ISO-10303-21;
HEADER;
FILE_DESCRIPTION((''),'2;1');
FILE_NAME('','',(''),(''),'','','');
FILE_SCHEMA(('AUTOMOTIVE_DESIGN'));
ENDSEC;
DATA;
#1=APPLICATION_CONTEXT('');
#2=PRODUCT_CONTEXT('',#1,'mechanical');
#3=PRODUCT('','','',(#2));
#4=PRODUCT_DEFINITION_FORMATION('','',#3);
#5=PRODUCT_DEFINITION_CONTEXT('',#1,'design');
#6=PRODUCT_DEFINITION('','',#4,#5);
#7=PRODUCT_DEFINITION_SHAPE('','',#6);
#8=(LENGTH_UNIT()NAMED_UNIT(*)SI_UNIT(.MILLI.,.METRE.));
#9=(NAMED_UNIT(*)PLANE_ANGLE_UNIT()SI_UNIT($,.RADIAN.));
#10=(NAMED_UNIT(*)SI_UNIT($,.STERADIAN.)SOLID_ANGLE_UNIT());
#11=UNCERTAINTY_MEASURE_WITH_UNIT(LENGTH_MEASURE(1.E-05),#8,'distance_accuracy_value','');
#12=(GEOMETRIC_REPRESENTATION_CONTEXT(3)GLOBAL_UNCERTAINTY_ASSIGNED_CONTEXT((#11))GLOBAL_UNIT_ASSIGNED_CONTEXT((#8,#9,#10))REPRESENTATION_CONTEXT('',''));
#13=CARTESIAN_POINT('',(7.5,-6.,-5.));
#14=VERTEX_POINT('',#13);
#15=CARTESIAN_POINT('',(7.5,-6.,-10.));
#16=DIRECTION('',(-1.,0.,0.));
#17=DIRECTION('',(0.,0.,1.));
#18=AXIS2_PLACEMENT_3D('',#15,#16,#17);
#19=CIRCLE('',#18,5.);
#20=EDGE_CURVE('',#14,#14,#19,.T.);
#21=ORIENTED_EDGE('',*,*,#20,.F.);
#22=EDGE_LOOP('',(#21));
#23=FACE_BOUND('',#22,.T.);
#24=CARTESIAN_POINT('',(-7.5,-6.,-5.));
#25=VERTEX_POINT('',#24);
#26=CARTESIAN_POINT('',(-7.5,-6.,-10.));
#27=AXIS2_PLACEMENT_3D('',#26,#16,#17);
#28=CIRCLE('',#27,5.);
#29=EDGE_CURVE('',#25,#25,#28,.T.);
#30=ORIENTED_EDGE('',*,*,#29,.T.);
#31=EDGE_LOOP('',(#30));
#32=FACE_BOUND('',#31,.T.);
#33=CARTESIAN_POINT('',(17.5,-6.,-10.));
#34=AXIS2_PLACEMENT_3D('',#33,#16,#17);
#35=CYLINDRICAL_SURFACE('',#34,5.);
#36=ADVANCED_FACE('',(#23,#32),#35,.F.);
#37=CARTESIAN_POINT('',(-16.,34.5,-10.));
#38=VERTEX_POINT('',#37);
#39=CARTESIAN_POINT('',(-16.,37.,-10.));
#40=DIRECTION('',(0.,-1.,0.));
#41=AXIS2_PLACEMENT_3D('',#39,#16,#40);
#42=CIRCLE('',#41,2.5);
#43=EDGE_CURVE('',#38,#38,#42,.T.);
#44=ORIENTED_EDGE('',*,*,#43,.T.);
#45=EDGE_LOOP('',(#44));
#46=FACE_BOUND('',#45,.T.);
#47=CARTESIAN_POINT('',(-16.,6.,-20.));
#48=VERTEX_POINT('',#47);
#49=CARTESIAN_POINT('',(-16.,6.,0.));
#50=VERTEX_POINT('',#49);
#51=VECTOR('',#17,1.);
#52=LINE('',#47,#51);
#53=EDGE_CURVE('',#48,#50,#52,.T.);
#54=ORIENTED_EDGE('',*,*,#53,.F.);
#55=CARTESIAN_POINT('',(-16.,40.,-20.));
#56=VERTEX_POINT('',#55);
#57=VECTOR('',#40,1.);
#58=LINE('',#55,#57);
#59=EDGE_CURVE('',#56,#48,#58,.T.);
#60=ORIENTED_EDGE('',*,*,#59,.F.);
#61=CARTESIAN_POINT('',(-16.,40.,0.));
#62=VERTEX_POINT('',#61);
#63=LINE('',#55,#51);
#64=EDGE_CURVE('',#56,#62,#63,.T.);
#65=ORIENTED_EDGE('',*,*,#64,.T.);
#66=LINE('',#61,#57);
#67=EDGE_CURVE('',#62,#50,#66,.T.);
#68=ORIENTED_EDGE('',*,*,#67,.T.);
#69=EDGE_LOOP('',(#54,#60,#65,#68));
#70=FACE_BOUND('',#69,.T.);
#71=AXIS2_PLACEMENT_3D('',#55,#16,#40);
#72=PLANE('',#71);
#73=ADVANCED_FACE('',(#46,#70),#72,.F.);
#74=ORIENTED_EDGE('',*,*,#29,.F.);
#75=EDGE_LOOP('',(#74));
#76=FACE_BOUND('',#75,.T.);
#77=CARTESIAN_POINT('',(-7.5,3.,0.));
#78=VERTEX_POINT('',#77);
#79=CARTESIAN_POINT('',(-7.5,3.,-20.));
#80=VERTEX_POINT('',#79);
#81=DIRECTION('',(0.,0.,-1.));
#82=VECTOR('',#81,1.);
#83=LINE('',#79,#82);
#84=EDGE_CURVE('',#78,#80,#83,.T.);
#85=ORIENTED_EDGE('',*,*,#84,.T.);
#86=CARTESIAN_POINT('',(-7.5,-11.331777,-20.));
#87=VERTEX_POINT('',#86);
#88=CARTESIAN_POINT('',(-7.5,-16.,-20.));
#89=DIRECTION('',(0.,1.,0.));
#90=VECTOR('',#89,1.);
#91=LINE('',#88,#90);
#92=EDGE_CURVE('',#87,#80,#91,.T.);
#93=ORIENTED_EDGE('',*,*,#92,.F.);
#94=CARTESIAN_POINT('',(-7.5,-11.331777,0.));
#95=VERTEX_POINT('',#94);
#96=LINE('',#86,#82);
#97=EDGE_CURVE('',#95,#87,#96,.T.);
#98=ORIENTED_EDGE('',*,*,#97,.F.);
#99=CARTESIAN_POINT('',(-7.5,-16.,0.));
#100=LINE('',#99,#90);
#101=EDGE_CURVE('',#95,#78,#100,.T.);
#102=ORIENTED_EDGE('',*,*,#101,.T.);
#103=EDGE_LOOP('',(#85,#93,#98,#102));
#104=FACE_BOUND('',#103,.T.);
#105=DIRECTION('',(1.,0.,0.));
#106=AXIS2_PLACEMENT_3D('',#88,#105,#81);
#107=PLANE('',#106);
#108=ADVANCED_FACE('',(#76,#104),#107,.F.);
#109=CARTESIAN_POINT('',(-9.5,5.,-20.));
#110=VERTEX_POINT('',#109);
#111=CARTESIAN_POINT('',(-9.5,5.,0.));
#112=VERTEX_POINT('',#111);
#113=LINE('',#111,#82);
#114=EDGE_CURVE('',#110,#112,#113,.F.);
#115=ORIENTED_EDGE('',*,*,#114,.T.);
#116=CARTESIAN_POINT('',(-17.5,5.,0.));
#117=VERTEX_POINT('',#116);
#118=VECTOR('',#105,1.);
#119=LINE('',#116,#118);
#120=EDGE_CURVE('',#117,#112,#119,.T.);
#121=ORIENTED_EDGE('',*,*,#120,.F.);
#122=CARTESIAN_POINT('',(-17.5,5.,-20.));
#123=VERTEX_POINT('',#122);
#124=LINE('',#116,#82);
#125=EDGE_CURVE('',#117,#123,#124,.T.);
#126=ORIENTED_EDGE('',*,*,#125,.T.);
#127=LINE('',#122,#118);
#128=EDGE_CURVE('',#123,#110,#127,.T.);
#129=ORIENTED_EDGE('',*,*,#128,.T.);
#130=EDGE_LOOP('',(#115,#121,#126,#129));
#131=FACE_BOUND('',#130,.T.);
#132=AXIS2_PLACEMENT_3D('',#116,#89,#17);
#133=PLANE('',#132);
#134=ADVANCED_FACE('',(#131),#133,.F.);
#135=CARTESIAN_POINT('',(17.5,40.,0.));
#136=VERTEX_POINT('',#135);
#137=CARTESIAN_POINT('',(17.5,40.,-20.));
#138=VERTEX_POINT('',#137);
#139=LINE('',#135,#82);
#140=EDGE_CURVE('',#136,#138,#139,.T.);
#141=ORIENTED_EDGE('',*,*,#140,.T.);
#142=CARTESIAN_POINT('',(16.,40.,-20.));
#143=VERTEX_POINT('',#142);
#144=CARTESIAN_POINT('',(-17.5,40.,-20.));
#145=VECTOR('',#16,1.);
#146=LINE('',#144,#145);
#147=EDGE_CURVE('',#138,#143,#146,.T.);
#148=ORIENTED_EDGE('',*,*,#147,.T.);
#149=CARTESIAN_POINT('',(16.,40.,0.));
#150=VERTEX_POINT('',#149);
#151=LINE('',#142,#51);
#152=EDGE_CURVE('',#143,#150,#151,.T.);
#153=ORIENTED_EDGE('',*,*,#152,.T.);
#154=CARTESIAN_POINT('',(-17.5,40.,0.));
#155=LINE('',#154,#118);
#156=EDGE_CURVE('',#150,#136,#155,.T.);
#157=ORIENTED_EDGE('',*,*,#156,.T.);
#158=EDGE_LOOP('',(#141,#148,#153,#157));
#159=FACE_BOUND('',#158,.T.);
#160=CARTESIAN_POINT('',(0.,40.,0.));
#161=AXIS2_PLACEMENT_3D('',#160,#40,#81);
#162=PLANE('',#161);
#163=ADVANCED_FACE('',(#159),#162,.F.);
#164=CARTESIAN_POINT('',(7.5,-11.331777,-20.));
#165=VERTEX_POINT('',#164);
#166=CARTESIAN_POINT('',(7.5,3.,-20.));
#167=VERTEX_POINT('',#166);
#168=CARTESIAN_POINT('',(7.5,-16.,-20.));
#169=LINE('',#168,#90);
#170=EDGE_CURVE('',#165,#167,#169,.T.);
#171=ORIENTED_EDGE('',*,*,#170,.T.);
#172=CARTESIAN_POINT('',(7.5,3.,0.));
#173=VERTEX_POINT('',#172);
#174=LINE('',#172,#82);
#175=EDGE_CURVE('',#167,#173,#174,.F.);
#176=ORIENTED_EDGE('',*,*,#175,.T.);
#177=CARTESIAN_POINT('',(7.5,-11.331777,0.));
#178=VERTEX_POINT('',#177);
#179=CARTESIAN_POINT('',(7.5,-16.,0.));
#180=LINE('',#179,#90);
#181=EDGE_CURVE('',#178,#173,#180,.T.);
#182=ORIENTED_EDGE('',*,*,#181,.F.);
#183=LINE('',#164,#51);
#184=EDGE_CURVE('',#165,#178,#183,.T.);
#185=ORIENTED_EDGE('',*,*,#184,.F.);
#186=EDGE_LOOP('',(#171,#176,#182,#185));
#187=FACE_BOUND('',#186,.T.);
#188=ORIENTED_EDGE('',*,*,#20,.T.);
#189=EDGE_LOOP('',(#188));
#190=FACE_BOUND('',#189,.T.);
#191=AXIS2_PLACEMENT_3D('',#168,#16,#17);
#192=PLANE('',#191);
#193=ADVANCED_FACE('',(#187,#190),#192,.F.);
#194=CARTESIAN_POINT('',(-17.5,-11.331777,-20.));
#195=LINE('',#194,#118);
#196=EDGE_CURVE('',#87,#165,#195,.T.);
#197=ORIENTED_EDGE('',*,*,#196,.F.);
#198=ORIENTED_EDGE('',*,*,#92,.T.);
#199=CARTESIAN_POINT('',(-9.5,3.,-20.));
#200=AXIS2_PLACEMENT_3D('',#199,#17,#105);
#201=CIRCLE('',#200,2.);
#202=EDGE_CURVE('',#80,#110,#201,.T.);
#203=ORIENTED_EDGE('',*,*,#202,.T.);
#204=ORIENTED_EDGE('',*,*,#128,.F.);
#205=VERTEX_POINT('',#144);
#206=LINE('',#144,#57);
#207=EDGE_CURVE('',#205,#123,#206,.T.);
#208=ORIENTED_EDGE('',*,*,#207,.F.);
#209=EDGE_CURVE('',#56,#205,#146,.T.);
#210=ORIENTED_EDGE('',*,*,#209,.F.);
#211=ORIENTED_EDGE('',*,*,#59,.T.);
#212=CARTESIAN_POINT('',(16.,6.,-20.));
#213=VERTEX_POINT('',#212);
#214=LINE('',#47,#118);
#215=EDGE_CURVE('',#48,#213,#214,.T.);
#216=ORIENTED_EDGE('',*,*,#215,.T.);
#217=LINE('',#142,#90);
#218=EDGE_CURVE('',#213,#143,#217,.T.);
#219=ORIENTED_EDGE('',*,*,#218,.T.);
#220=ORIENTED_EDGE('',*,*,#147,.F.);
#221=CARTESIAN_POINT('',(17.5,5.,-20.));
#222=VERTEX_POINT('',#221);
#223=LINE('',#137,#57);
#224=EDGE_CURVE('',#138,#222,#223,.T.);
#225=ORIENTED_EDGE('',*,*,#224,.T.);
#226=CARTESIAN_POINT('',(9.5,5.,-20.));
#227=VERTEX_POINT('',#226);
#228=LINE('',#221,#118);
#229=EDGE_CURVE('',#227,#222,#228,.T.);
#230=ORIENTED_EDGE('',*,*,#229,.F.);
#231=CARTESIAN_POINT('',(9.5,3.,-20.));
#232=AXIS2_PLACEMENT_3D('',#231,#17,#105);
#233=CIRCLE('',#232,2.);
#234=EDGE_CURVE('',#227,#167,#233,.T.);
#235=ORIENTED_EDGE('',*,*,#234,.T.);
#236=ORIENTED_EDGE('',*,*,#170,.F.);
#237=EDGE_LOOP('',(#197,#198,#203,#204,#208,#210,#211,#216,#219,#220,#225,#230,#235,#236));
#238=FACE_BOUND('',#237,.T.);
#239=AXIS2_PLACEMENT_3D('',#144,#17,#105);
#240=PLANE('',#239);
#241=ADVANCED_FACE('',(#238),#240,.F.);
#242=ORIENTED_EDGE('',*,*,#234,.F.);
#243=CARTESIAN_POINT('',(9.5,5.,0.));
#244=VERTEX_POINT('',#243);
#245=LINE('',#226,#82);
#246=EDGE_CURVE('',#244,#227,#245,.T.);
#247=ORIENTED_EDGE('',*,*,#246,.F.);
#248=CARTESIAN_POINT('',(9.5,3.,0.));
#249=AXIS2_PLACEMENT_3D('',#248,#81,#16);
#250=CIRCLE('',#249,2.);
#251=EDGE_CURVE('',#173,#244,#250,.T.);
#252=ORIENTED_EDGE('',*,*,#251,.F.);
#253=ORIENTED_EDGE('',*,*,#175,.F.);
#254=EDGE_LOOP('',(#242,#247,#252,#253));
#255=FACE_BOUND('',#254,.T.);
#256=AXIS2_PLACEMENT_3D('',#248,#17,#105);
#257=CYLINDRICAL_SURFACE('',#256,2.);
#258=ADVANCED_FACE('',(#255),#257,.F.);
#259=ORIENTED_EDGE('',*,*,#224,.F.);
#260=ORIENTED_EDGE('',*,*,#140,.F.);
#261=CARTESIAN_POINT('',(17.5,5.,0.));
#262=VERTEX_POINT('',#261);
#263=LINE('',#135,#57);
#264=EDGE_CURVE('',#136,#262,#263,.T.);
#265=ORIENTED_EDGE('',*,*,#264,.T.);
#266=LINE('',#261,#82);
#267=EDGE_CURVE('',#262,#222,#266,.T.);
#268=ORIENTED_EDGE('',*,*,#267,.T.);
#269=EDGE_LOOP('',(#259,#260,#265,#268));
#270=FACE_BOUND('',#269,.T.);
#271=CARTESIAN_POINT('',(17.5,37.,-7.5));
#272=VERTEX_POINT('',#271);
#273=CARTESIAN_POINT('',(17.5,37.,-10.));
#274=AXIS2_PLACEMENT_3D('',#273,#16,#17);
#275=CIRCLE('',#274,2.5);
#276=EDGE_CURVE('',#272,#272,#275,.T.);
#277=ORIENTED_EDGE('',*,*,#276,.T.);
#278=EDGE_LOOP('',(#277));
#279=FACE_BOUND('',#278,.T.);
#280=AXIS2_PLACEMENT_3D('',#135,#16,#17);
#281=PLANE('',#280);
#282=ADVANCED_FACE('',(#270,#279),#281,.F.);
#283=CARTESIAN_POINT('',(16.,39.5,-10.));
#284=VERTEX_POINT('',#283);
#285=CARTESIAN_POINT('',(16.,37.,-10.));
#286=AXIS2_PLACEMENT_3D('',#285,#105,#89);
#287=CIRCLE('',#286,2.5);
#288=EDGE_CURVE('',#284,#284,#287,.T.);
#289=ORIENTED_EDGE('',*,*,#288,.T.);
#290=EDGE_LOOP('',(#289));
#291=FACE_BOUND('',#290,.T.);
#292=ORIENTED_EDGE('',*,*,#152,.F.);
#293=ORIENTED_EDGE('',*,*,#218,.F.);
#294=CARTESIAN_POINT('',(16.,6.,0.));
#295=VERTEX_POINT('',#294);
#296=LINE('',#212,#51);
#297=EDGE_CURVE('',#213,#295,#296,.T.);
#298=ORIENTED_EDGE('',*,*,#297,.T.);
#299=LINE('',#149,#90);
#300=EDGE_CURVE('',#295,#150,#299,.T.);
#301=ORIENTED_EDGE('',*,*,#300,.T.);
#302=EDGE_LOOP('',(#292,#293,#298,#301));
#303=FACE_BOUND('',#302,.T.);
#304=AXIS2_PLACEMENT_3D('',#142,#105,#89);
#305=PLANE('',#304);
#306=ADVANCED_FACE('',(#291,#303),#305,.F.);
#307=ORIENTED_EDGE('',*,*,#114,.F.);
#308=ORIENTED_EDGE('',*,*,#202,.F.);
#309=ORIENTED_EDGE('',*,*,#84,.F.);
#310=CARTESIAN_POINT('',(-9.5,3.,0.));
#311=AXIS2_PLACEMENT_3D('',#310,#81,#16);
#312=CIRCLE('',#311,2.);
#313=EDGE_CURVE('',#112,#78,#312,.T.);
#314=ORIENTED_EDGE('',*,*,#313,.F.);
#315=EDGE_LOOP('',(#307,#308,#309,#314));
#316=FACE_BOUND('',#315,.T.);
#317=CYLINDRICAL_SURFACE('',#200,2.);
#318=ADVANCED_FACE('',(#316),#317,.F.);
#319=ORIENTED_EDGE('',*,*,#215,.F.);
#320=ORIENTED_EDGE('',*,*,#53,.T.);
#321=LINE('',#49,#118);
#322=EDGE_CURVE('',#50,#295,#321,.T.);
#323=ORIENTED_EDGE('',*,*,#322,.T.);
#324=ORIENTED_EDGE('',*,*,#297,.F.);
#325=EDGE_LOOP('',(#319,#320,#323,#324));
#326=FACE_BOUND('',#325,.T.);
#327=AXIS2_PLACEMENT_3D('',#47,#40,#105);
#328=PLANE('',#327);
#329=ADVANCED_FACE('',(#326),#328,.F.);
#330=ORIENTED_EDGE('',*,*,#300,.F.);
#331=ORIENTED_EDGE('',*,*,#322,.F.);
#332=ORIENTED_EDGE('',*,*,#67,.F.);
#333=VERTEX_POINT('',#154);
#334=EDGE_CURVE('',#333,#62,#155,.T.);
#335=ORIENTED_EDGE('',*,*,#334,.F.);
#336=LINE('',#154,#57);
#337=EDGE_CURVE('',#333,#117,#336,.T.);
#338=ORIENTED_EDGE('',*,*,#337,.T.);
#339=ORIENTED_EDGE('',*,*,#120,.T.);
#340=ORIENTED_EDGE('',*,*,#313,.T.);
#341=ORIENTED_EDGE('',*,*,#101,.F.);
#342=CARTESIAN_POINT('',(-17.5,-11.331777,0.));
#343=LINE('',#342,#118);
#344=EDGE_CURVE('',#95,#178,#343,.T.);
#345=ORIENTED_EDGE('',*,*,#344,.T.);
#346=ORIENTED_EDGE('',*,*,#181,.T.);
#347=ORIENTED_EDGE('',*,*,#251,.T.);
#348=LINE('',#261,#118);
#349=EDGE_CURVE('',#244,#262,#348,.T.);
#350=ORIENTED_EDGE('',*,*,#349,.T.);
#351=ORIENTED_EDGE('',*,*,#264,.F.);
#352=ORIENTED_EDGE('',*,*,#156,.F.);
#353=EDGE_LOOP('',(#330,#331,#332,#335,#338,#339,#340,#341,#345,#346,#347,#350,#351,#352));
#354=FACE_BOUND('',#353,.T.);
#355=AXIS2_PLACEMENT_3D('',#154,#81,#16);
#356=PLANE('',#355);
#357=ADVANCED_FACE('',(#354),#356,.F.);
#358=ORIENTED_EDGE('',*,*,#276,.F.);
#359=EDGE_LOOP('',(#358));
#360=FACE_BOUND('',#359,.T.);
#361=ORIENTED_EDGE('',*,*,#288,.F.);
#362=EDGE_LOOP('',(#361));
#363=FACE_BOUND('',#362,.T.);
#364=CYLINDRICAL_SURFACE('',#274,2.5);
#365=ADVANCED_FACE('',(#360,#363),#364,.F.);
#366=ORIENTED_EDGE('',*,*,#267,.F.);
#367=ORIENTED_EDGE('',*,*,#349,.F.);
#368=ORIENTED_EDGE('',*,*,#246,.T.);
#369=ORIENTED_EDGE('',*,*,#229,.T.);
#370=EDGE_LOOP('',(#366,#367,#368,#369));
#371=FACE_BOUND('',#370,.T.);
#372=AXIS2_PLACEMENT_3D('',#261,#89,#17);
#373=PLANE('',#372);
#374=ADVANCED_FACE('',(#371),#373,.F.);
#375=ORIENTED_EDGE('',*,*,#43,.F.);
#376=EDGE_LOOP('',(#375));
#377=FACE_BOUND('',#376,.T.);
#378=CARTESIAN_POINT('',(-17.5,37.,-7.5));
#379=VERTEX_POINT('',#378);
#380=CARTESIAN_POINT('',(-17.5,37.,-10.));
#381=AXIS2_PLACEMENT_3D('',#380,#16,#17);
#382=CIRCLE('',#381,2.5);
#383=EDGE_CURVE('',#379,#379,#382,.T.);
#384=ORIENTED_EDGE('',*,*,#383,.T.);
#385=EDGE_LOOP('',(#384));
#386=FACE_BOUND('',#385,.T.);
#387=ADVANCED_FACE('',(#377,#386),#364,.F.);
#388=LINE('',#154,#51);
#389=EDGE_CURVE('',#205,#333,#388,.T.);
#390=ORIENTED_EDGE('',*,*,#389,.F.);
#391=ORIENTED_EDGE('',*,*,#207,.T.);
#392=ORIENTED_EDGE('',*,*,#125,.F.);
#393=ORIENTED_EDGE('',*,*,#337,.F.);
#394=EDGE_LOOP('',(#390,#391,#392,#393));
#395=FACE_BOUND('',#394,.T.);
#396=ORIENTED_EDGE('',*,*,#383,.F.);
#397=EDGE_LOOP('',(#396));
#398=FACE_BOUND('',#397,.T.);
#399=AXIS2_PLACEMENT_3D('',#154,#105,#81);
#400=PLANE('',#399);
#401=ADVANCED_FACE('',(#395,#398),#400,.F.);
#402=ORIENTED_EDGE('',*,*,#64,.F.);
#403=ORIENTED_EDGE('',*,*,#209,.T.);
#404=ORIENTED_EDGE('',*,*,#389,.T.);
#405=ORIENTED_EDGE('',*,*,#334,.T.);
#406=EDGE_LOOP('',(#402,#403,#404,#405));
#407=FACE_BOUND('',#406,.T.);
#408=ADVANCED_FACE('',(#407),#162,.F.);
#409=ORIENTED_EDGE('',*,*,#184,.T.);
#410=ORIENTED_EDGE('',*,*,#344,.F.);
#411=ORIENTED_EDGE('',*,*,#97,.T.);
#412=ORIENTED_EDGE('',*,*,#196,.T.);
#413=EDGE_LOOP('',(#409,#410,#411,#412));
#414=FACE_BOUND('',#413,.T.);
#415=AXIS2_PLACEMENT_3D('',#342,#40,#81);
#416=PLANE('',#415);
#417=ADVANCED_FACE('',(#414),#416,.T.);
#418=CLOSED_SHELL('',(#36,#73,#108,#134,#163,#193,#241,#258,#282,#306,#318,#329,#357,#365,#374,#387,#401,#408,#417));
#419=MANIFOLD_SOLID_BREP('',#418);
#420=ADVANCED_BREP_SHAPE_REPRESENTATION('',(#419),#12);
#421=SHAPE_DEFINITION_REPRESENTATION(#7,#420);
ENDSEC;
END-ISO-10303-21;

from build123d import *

# Parameters (mm, degrees)
SKETCH1_W               = 35
SKETCH1_H               = 20
BOSS_EXTRUDE1_DEPTH     = 40
SKETCH2_W               = 15
SKETCH2_H               = 20
BOSS_EXTRUDE2_DEPTH     = 16
SKETCH3_R               = 5
CUT_EXTRUDE1_DEPTH      = 26
FILLET3_R               = 3
SKETCH4_W               = 32
SKETCH4_H               = 34
CUT_EXTRUDE2_DEPTH      = 21
SKETCH5_R               = 2.5
CUT_EXTRUDE3_DEPTH      = 36
SKETCH7_W               = 10
SKETCH7_H               = 5
CUT_EXTRUDE4_DEPTH      = 21
FILLET5_R               = 2
SKETCH8_W               = 20
SKETCH8_H               = 4.66822317
CUT_EXTRUDE5_DEPTH      = 18.5
CUT_EXTRUDE5_DEPTH_BACK = 18.5


with BuildPart() as part:
    # Sketch1 → Boss-Extrude1 (new body)
    with BuildSketch(Plane(origin=(0, 0, 0), x_dir=(1, 0, 0), z_dir=(0, 1, 0))):
        with Locations((0, 10)):
            Rectangle(SKETCH1_W, SKETCH1_H)
    extrude(amount=BOSS_EXTRUDE1_DEPTH)

    # Sketch2 → Boss-Extrude2 (add)
    with BuildSketch(Plane.XZ):
        with Locations((0, -10)):
            Rectangle(SKETCH2_W, SKETCH2_H)
    extrude(amount=BOSS_EXTRUDE2_DEPTH)

    # Sketch3 → Cut-Extrude1 (cut, through all)
    with BuildSketch(Plane.ZY.offset(7.5)):
        with Locations((-10, -6)):
            Circle(SKETCH3_R)
    extrude(amount=-CUT_EXTRUDE1_DEPTH, mode=Mode.SUBTRACT)

    # Fillet3
    fillet3_edges = [part.edges().sort_by_distance(p)[0] for p in [
        (7.5, -16, -10),
        (-7.5, -16, -10),
    ]]
    fillet(fillet3_edges, radius=FILLET3_R)

    # Sketch4 → Cut-Extrude2 (cut, through all)
    with BuildSketch(Plane.XY):
        with Locations((0, 23)):
            Rectangle(SKETCH4_W, SKETCH4_H)
    extrude(amount=-CUT_EXTRUDE2_DEPTH, mode=Mode.SUBTRACT)

    # Sketch5 → Cut-Extrude3 (cut, through all)
    with BuildSketch(Plane.ZY.offset(17.5)):
        with Locations((-10, 37)):
            Circle(SKETCH5_R)
    extrude(amount=-CUT_EXTRUDE3_DEPTH, mode=Mode.SUBTRACT)

    # Sketch7 → Cut-Extrude4 (cut, through all)
    with BuildSketch(Plane(origin=(0, 0, -20), x_dir=(-1, 0, 0), z_dir=(0, 0, -1))):
        with Locations((12.5, 2.5)):
            Rectangle(SKETCH7_W, SKETCH7_H)
        with Locations((-12.5, 2.5)):
            Rectangle(SKETCH7_W, SKETCH7_H)
    extrude(amount=-CUT_EXTRUDE4_DEPTH, mode=Mode.SUBTRACT)

    # Fillet5
    fillet5_edges = [part.edges().sort_by_distance(p)[0] for p in [
        (7.5, 5, -10),
        (-7.5, 5, -10),
    ]]
    fillet(fillet5_edges, radius=FILLET5_R)

    # Sketch8 → Cut-Extrude5 (cut, two sides)
    with BuildSketch(Plane(origin=(0, 0, 0), x_dir=(0, 0, -1), z_dir=(1, 0, 0))) as cut_extrude5_sk:
        with Locations((10, -13.665888415)):
            Rectangle(SKETCH8_W, SKETCH8_H)
    extrude(amount=CUT_EXTRUDE5_DEPTH, mode=Mode.SUBTRACT)
    extrude(cut_extrude5_sk.sketch, amount=-CUT_EXTRUDE5_DEPTH_BACK, mode=Mode.SUBTRACT)


solid = part.part
